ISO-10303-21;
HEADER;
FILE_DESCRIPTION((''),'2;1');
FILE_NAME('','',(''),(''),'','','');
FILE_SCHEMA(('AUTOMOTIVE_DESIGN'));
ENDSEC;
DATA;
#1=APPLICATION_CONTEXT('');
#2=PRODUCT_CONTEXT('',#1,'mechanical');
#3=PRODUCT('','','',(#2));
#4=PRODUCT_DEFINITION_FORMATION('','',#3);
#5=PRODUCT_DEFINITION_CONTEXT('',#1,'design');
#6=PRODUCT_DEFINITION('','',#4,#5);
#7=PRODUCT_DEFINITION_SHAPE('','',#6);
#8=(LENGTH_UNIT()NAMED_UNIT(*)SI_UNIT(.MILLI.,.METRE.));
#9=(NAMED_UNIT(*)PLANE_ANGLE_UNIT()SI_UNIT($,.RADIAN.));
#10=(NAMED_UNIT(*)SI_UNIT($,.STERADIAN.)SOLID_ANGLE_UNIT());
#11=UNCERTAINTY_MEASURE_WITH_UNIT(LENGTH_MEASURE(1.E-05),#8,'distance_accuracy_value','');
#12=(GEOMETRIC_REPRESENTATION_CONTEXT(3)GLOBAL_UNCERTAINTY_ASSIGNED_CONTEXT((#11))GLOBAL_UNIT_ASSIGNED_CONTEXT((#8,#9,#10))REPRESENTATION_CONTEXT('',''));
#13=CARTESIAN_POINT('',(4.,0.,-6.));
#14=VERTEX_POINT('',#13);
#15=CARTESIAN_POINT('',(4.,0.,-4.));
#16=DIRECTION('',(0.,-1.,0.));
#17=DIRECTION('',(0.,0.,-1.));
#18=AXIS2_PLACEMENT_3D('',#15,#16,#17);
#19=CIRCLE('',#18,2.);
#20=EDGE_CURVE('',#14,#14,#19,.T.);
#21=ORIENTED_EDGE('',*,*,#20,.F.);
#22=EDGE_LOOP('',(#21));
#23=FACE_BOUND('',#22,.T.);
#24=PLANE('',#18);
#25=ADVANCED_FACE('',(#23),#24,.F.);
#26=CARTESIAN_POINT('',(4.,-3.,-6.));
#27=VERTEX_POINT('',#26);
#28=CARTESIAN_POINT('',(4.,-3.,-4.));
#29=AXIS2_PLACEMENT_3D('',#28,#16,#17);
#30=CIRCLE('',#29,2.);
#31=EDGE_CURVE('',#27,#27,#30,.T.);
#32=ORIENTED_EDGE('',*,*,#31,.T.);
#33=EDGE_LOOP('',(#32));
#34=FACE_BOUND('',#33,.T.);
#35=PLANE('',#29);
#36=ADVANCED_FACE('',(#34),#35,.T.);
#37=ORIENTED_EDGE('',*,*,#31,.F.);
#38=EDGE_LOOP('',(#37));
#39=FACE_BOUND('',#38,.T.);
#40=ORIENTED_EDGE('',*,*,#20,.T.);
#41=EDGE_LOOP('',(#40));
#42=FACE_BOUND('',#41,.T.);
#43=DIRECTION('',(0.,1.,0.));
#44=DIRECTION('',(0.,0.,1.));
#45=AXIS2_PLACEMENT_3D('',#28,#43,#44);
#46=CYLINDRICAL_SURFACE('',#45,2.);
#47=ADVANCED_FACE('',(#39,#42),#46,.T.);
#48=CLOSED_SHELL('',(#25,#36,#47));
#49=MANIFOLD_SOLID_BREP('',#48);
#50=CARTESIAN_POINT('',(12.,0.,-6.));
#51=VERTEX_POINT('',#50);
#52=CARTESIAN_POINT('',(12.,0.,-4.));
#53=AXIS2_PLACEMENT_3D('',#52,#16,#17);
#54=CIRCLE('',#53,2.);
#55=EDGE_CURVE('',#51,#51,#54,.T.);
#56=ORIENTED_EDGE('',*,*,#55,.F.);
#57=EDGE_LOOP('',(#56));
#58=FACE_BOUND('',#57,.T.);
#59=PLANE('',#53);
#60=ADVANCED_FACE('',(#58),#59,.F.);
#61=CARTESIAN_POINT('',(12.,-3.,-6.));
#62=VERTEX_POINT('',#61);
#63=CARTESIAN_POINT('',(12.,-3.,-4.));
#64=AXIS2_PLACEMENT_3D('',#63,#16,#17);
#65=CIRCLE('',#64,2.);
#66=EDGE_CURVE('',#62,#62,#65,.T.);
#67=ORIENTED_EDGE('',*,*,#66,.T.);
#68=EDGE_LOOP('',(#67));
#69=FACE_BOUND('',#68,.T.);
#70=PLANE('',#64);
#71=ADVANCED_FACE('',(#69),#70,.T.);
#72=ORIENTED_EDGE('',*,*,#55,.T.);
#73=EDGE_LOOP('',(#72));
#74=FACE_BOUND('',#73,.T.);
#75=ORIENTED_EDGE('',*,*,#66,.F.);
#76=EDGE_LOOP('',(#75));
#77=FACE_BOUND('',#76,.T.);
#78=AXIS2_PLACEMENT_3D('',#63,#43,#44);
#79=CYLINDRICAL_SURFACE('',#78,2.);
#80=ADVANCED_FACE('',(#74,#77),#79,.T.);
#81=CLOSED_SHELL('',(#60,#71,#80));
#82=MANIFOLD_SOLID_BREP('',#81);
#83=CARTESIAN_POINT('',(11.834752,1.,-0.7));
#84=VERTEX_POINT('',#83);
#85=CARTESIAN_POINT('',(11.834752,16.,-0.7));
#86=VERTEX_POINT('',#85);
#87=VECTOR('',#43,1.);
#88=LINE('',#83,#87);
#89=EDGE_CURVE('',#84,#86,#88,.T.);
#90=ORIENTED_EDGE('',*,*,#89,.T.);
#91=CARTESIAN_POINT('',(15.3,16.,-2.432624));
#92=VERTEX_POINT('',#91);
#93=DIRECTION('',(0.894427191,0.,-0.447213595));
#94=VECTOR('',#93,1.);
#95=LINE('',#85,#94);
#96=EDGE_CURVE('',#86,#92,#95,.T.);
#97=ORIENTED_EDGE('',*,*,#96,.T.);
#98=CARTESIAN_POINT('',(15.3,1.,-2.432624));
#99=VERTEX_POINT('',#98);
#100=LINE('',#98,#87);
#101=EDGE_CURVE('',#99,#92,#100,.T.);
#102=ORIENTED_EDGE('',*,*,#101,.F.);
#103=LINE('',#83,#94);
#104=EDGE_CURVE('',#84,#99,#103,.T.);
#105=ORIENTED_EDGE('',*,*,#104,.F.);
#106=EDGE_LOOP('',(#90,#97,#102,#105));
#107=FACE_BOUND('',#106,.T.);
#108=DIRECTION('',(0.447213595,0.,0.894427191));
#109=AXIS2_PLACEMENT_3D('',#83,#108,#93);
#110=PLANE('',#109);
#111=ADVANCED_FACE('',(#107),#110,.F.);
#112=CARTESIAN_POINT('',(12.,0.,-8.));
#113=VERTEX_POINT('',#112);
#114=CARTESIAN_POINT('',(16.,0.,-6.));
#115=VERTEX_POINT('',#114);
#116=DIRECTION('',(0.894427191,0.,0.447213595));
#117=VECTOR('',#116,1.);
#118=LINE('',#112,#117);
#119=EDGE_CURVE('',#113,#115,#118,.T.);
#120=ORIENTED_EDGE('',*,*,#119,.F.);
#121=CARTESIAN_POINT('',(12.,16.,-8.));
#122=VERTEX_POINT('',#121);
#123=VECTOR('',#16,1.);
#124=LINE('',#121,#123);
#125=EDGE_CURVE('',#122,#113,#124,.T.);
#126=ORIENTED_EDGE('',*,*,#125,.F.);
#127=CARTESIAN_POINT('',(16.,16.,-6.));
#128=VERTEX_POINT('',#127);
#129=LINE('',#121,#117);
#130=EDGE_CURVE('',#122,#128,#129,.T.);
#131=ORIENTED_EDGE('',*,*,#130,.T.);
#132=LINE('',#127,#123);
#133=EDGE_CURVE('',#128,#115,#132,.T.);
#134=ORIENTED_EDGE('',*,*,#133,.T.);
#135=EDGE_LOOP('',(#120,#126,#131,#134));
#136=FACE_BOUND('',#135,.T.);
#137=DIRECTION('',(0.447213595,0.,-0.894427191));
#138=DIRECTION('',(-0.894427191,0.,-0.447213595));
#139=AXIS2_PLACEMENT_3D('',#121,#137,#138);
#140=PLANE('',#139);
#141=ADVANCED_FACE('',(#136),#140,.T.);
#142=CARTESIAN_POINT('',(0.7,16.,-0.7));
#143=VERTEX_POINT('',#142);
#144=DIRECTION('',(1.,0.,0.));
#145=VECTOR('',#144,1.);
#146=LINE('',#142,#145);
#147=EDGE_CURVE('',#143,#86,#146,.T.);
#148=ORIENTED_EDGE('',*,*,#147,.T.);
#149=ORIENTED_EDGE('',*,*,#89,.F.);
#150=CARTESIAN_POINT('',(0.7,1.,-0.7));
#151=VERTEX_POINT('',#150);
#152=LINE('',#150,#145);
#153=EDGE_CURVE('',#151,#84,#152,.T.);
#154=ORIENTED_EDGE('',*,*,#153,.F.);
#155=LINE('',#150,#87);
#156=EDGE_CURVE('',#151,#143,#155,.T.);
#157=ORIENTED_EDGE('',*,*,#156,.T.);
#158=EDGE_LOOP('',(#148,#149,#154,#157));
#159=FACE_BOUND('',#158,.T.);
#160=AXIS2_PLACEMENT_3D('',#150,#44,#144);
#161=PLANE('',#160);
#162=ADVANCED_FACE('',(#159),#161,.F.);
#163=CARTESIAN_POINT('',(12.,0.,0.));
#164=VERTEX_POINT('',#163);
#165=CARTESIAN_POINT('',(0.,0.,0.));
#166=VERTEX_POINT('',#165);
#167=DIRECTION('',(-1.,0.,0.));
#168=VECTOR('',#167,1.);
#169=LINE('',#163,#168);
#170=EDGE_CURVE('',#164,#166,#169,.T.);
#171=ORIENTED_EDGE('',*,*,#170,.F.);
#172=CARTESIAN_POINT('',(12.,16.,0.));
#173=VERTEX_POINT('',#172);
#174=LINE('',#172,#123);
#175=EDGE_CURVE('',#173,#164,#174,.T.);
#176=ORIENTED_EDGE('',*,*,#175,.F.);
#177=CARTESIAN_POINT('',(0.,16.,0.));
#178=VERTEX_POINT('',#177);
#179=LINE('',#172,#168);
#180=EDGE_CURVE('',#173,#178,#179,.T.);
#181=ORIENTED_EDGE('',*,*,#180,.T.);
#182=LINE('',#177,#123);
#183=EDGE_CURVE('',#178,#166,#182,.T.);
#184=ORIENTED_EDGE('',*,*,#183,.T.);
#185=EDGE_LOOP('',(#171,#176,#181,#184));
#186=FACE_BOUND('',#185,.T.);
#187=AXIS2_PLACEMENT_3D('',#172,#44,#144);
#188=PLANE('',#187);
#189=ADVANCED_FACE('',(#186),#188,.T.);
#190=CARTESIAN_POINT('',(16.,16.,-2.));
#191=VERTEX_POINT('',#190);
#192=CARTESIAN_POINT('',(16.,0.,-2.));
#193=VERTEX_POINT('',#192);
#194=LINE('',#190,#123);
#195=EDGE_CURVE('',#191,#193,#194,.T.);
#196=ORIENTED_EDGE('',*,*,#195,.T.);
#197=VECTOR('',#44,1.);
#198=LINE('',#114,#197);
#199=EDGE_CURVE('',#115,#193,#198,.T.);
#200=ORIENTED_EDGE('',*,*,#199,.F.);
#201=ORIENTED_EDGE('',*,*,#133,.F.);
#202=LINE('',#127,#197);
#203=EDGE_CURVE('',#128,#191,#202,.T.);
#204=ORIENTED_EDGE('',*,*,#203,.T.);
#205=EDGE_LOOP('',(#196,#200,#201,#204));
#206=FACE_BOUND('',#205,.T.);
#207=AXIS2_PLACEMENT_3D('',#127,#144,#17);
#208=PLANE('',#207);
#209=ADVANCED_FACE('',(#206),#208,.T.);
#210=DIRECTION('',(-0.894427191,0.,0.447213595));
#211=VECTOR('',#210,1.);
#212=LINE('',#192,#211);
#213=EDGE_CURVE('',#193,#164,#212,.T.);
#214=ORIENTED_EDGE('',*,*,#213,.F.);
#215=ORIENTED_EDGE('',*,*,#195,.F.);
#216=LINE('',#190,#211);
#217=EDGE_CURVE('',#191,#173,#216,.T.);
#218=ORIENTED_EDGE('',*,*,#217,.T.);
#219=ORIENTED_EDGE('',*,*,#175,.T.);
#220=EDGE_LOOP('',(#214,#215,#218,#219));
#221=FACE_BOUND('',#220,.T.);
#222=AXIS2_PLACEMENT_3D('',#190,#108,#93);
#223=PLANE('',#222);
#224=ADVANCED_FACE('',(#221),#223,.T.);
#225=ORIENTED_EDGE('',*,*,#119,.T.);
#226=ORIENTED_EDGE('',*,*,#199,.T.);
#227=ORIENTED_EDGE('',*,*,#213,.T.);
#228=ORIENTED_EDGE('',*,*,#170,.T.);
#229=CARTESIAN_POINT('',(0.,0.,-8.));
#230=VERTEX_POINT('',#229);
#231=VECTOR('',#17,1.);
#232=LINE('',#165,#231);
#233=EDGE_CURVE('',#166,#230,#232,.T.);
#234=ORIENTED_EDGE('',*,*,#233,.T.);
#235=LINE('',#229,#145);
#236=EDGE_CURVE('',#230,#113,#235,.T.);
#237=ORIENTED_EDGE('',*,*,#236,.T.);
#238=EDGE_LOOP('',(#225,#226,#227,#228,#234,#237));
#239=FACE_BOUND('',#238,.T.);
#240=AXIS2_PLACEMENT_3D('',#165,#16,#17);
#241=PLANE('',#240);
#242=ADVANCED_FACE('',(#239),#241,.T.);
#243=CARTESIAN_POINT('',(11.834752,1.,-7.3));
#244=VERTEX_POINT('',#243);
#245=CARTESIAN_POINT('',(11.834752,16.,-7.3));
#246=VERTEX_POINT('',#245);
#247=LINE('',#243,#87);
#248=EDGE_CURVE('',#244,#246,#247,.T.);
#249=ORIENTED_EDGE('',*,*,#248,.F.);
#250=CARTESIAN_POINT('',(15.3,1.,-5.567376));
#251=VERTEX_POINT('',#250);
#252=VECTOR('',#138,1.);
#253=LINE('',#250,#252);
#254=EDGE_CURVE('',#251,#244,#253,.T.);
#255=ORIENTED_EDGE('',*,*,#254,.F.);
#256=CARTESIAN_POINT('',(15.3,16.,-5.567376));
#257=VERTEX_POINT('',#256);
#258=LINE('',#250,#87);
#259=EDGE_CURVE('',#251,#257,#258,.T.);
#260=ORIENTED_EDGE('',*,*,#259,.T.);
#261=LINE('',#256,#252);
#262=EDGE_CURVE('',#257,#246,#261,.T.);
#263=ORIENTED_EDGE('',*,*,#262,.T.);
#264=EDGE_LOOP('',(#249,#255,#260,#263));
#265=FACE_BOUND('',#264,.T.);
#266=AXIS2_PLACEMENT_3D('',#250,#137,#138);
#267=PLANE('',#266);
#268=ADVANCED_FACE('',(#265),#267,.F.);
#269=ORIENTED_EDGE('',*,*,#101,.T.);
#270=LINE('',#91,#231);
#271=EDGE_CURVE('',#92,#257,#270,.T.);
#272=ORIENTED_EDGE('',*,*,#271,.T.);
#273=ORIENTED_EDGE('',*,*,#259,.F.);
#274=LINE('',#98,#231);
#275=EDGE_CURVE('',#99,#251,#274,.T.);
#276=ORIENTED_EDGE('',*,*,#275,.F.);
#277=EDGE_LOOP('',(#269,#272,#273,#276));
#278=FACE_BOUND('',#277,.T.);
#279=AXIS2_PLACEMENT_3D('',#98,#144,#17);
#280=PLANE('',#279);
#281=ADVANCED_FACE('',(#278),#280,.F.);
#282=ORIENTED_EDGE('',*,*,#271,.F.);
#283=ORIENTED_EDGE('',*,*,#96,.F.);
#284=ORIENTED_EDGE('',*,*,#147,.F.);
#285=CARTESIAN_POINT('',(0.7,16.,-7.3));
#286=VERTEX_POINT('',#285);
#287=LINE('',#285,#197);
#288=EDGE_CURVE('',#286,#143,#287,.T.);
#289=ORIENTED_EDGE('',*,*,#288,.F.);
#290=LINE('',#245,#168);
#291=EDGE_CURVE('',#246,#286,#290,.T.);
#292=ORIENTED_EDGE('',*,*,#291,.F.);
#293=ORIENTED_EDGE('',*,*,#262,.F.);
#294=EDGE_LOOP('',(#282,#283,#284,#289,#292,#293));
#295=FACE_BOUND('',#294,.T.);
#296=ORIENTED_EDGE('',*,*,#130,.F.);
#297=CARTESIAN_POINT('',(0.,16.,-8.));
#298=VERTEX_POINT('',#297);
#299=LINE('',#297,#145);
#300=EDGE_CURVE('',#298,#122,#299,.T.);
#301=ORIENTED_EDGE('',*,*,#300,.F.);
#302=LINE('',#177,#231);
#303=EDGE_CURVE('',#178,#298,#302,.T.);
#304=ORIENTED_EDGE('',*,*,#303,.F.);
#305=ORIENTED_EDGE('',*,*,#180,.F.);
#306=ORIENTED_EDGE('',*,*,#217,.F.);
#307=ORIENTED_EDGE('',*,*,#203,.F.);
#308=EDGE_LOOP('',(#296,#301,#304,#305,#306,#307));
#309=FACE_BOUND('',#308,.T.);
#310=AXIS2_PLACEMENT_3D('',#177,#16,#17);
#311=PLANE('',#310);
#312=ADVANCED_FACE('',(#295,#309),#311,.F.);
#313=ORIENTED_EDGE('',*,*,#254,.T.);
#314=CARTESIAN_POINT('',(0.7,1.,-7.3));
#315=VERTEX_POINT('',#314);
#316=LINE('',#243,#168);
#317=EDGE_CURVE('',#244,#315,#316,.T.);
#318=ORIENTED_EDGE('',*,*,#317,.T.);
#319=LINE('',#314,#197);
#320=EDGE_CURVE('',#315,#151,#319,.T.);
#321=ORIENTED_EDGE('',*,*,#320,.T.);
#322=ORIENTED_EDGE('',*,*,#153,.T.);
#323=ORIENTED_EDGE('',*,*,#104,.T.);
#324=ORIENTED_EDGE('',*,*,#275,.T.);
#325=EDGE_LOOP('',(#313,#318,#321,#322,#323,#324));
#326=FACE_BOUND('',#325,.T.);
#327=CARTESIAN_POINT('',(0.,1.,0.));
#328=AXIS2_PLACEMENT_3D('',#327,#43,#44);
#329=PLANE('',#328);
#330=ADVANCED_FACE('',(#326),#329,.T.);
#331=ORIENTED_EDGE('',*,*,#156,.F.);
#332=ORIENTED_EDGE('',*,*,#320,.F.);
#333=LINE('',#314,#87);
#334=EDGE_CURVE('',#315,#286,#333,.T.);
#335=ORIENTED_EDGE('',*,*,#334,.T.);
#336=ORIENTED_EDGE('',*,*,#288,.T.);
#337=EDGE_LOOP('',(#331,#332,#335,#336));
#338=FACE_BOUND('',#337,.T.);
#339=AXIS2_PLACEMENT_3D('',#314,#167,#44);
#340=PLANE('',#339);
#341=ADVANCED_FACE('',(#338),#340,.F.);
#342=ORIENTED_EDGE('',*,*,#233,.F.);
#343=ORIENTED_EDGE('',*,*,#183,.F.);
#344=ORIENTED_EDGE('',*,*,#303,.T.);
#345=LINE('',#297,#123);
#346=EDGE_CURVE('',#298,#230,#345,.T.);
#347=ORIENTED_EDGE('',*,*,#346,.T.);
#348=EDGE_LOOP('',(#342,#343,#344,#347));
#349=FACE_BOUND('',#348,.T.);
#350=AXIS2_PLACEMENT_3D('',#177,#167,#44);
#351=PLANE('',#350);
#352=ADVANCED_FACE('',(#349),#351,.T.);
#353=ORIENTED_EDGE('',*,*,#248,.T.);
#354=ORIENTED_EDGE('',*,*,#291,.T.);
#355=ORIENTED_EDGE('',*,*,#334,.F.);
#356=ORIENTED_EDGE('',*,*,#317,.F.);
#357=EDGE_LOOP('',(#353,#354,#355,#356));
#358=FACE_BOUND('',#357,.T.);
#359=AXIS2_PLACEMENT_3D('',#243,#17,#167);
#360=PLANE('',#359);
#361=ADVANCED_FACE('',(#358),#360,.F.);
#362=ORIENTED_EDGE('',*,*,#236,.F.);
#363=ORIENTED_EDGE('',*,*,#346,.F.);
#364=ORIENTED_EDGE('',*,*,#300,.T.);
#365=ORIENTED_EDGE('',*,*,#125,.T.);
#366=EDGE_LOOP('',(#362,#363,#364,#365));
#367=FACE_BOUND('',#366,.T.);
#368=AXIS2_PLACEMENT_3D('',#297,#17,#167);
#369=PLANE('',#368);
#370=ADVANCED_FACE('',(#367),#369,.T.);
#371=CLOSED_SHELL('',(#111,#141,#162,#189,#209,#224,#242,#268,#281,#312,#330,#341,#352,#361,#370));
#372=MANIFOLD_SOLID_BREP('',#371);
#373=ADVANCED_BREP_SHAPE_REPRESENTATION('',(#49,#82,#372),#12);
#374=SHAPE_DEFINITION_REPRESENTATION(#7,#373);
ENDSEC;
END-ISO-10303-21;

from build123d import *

# Parameters (mm, degrees)
SALIENTE_EXTRUIR1_DEPTH   = 16
CORTAR_EXTRUIR1_DEPTH     = 15
CROQUIS3_R                = 2
SALIENTE_EXTRUIR2_DEPTH   = 3
SALIENTE_EXTRUIR2_2_DEPTH = 3


with BuildPart() as part:
    # Croquis1 → Saliente-Extruir1 (new body)
    with BuildSketch(Plane(origin=(0, 0, 0), x_dir=(1, 0, 0), z_dir=(0, 1, 0))):
        Polygon((0, 0), (0, 8), (12, 8), (16, 6), (16, 2), (12, 0), align=None)
    extrude(amount=SALIENTE_EXTRUIR1_DEPTH)

    # Croquis2 → Cortar-Extruir1 (cut)
    with BuildSketch(Plane(origin=(0, 16, 0), x_dir=(1, 0, 0), z_dir=(0, 1, 0))):
        Polygon((11.834752416, 0.7), (15.3, 2.432623792), (15.3, 5.567376208), (11.834752416, 7.3), (0.7, 7.3), (0.7, 0.7), align=None)
    extrude(amount=-CORTAR_EXTRUIR1_DEPTH, mode=Mode.SUBTRACT)


with BuildPart() as body_2:
    # Croquis3 → Saliente-Extruir2 (new body)
    with BuildSketch(Plane.XZ):
        with Locations(Location((4, -4, 0), (0, 0, 270))):
            Circle(CROQUIS3_R)
    extrude(amount=SALIENTE_EXTRUIR2_DEPTH)


with BuildPart() as body_3:
    # Croquis3 → Saliente-Extruir2 2 (new body)
    with BuildSketch(Plane.XZ):
        with Locations(Location((12, -4, 0), (0, 0, 270))):
            Circle(CROQUIS3_R)
    extrude(amount=SALIENTE_EXTRUIR2_2_DEPTH)


solid = Compound([part.part, body_2.part, body_3.part])
